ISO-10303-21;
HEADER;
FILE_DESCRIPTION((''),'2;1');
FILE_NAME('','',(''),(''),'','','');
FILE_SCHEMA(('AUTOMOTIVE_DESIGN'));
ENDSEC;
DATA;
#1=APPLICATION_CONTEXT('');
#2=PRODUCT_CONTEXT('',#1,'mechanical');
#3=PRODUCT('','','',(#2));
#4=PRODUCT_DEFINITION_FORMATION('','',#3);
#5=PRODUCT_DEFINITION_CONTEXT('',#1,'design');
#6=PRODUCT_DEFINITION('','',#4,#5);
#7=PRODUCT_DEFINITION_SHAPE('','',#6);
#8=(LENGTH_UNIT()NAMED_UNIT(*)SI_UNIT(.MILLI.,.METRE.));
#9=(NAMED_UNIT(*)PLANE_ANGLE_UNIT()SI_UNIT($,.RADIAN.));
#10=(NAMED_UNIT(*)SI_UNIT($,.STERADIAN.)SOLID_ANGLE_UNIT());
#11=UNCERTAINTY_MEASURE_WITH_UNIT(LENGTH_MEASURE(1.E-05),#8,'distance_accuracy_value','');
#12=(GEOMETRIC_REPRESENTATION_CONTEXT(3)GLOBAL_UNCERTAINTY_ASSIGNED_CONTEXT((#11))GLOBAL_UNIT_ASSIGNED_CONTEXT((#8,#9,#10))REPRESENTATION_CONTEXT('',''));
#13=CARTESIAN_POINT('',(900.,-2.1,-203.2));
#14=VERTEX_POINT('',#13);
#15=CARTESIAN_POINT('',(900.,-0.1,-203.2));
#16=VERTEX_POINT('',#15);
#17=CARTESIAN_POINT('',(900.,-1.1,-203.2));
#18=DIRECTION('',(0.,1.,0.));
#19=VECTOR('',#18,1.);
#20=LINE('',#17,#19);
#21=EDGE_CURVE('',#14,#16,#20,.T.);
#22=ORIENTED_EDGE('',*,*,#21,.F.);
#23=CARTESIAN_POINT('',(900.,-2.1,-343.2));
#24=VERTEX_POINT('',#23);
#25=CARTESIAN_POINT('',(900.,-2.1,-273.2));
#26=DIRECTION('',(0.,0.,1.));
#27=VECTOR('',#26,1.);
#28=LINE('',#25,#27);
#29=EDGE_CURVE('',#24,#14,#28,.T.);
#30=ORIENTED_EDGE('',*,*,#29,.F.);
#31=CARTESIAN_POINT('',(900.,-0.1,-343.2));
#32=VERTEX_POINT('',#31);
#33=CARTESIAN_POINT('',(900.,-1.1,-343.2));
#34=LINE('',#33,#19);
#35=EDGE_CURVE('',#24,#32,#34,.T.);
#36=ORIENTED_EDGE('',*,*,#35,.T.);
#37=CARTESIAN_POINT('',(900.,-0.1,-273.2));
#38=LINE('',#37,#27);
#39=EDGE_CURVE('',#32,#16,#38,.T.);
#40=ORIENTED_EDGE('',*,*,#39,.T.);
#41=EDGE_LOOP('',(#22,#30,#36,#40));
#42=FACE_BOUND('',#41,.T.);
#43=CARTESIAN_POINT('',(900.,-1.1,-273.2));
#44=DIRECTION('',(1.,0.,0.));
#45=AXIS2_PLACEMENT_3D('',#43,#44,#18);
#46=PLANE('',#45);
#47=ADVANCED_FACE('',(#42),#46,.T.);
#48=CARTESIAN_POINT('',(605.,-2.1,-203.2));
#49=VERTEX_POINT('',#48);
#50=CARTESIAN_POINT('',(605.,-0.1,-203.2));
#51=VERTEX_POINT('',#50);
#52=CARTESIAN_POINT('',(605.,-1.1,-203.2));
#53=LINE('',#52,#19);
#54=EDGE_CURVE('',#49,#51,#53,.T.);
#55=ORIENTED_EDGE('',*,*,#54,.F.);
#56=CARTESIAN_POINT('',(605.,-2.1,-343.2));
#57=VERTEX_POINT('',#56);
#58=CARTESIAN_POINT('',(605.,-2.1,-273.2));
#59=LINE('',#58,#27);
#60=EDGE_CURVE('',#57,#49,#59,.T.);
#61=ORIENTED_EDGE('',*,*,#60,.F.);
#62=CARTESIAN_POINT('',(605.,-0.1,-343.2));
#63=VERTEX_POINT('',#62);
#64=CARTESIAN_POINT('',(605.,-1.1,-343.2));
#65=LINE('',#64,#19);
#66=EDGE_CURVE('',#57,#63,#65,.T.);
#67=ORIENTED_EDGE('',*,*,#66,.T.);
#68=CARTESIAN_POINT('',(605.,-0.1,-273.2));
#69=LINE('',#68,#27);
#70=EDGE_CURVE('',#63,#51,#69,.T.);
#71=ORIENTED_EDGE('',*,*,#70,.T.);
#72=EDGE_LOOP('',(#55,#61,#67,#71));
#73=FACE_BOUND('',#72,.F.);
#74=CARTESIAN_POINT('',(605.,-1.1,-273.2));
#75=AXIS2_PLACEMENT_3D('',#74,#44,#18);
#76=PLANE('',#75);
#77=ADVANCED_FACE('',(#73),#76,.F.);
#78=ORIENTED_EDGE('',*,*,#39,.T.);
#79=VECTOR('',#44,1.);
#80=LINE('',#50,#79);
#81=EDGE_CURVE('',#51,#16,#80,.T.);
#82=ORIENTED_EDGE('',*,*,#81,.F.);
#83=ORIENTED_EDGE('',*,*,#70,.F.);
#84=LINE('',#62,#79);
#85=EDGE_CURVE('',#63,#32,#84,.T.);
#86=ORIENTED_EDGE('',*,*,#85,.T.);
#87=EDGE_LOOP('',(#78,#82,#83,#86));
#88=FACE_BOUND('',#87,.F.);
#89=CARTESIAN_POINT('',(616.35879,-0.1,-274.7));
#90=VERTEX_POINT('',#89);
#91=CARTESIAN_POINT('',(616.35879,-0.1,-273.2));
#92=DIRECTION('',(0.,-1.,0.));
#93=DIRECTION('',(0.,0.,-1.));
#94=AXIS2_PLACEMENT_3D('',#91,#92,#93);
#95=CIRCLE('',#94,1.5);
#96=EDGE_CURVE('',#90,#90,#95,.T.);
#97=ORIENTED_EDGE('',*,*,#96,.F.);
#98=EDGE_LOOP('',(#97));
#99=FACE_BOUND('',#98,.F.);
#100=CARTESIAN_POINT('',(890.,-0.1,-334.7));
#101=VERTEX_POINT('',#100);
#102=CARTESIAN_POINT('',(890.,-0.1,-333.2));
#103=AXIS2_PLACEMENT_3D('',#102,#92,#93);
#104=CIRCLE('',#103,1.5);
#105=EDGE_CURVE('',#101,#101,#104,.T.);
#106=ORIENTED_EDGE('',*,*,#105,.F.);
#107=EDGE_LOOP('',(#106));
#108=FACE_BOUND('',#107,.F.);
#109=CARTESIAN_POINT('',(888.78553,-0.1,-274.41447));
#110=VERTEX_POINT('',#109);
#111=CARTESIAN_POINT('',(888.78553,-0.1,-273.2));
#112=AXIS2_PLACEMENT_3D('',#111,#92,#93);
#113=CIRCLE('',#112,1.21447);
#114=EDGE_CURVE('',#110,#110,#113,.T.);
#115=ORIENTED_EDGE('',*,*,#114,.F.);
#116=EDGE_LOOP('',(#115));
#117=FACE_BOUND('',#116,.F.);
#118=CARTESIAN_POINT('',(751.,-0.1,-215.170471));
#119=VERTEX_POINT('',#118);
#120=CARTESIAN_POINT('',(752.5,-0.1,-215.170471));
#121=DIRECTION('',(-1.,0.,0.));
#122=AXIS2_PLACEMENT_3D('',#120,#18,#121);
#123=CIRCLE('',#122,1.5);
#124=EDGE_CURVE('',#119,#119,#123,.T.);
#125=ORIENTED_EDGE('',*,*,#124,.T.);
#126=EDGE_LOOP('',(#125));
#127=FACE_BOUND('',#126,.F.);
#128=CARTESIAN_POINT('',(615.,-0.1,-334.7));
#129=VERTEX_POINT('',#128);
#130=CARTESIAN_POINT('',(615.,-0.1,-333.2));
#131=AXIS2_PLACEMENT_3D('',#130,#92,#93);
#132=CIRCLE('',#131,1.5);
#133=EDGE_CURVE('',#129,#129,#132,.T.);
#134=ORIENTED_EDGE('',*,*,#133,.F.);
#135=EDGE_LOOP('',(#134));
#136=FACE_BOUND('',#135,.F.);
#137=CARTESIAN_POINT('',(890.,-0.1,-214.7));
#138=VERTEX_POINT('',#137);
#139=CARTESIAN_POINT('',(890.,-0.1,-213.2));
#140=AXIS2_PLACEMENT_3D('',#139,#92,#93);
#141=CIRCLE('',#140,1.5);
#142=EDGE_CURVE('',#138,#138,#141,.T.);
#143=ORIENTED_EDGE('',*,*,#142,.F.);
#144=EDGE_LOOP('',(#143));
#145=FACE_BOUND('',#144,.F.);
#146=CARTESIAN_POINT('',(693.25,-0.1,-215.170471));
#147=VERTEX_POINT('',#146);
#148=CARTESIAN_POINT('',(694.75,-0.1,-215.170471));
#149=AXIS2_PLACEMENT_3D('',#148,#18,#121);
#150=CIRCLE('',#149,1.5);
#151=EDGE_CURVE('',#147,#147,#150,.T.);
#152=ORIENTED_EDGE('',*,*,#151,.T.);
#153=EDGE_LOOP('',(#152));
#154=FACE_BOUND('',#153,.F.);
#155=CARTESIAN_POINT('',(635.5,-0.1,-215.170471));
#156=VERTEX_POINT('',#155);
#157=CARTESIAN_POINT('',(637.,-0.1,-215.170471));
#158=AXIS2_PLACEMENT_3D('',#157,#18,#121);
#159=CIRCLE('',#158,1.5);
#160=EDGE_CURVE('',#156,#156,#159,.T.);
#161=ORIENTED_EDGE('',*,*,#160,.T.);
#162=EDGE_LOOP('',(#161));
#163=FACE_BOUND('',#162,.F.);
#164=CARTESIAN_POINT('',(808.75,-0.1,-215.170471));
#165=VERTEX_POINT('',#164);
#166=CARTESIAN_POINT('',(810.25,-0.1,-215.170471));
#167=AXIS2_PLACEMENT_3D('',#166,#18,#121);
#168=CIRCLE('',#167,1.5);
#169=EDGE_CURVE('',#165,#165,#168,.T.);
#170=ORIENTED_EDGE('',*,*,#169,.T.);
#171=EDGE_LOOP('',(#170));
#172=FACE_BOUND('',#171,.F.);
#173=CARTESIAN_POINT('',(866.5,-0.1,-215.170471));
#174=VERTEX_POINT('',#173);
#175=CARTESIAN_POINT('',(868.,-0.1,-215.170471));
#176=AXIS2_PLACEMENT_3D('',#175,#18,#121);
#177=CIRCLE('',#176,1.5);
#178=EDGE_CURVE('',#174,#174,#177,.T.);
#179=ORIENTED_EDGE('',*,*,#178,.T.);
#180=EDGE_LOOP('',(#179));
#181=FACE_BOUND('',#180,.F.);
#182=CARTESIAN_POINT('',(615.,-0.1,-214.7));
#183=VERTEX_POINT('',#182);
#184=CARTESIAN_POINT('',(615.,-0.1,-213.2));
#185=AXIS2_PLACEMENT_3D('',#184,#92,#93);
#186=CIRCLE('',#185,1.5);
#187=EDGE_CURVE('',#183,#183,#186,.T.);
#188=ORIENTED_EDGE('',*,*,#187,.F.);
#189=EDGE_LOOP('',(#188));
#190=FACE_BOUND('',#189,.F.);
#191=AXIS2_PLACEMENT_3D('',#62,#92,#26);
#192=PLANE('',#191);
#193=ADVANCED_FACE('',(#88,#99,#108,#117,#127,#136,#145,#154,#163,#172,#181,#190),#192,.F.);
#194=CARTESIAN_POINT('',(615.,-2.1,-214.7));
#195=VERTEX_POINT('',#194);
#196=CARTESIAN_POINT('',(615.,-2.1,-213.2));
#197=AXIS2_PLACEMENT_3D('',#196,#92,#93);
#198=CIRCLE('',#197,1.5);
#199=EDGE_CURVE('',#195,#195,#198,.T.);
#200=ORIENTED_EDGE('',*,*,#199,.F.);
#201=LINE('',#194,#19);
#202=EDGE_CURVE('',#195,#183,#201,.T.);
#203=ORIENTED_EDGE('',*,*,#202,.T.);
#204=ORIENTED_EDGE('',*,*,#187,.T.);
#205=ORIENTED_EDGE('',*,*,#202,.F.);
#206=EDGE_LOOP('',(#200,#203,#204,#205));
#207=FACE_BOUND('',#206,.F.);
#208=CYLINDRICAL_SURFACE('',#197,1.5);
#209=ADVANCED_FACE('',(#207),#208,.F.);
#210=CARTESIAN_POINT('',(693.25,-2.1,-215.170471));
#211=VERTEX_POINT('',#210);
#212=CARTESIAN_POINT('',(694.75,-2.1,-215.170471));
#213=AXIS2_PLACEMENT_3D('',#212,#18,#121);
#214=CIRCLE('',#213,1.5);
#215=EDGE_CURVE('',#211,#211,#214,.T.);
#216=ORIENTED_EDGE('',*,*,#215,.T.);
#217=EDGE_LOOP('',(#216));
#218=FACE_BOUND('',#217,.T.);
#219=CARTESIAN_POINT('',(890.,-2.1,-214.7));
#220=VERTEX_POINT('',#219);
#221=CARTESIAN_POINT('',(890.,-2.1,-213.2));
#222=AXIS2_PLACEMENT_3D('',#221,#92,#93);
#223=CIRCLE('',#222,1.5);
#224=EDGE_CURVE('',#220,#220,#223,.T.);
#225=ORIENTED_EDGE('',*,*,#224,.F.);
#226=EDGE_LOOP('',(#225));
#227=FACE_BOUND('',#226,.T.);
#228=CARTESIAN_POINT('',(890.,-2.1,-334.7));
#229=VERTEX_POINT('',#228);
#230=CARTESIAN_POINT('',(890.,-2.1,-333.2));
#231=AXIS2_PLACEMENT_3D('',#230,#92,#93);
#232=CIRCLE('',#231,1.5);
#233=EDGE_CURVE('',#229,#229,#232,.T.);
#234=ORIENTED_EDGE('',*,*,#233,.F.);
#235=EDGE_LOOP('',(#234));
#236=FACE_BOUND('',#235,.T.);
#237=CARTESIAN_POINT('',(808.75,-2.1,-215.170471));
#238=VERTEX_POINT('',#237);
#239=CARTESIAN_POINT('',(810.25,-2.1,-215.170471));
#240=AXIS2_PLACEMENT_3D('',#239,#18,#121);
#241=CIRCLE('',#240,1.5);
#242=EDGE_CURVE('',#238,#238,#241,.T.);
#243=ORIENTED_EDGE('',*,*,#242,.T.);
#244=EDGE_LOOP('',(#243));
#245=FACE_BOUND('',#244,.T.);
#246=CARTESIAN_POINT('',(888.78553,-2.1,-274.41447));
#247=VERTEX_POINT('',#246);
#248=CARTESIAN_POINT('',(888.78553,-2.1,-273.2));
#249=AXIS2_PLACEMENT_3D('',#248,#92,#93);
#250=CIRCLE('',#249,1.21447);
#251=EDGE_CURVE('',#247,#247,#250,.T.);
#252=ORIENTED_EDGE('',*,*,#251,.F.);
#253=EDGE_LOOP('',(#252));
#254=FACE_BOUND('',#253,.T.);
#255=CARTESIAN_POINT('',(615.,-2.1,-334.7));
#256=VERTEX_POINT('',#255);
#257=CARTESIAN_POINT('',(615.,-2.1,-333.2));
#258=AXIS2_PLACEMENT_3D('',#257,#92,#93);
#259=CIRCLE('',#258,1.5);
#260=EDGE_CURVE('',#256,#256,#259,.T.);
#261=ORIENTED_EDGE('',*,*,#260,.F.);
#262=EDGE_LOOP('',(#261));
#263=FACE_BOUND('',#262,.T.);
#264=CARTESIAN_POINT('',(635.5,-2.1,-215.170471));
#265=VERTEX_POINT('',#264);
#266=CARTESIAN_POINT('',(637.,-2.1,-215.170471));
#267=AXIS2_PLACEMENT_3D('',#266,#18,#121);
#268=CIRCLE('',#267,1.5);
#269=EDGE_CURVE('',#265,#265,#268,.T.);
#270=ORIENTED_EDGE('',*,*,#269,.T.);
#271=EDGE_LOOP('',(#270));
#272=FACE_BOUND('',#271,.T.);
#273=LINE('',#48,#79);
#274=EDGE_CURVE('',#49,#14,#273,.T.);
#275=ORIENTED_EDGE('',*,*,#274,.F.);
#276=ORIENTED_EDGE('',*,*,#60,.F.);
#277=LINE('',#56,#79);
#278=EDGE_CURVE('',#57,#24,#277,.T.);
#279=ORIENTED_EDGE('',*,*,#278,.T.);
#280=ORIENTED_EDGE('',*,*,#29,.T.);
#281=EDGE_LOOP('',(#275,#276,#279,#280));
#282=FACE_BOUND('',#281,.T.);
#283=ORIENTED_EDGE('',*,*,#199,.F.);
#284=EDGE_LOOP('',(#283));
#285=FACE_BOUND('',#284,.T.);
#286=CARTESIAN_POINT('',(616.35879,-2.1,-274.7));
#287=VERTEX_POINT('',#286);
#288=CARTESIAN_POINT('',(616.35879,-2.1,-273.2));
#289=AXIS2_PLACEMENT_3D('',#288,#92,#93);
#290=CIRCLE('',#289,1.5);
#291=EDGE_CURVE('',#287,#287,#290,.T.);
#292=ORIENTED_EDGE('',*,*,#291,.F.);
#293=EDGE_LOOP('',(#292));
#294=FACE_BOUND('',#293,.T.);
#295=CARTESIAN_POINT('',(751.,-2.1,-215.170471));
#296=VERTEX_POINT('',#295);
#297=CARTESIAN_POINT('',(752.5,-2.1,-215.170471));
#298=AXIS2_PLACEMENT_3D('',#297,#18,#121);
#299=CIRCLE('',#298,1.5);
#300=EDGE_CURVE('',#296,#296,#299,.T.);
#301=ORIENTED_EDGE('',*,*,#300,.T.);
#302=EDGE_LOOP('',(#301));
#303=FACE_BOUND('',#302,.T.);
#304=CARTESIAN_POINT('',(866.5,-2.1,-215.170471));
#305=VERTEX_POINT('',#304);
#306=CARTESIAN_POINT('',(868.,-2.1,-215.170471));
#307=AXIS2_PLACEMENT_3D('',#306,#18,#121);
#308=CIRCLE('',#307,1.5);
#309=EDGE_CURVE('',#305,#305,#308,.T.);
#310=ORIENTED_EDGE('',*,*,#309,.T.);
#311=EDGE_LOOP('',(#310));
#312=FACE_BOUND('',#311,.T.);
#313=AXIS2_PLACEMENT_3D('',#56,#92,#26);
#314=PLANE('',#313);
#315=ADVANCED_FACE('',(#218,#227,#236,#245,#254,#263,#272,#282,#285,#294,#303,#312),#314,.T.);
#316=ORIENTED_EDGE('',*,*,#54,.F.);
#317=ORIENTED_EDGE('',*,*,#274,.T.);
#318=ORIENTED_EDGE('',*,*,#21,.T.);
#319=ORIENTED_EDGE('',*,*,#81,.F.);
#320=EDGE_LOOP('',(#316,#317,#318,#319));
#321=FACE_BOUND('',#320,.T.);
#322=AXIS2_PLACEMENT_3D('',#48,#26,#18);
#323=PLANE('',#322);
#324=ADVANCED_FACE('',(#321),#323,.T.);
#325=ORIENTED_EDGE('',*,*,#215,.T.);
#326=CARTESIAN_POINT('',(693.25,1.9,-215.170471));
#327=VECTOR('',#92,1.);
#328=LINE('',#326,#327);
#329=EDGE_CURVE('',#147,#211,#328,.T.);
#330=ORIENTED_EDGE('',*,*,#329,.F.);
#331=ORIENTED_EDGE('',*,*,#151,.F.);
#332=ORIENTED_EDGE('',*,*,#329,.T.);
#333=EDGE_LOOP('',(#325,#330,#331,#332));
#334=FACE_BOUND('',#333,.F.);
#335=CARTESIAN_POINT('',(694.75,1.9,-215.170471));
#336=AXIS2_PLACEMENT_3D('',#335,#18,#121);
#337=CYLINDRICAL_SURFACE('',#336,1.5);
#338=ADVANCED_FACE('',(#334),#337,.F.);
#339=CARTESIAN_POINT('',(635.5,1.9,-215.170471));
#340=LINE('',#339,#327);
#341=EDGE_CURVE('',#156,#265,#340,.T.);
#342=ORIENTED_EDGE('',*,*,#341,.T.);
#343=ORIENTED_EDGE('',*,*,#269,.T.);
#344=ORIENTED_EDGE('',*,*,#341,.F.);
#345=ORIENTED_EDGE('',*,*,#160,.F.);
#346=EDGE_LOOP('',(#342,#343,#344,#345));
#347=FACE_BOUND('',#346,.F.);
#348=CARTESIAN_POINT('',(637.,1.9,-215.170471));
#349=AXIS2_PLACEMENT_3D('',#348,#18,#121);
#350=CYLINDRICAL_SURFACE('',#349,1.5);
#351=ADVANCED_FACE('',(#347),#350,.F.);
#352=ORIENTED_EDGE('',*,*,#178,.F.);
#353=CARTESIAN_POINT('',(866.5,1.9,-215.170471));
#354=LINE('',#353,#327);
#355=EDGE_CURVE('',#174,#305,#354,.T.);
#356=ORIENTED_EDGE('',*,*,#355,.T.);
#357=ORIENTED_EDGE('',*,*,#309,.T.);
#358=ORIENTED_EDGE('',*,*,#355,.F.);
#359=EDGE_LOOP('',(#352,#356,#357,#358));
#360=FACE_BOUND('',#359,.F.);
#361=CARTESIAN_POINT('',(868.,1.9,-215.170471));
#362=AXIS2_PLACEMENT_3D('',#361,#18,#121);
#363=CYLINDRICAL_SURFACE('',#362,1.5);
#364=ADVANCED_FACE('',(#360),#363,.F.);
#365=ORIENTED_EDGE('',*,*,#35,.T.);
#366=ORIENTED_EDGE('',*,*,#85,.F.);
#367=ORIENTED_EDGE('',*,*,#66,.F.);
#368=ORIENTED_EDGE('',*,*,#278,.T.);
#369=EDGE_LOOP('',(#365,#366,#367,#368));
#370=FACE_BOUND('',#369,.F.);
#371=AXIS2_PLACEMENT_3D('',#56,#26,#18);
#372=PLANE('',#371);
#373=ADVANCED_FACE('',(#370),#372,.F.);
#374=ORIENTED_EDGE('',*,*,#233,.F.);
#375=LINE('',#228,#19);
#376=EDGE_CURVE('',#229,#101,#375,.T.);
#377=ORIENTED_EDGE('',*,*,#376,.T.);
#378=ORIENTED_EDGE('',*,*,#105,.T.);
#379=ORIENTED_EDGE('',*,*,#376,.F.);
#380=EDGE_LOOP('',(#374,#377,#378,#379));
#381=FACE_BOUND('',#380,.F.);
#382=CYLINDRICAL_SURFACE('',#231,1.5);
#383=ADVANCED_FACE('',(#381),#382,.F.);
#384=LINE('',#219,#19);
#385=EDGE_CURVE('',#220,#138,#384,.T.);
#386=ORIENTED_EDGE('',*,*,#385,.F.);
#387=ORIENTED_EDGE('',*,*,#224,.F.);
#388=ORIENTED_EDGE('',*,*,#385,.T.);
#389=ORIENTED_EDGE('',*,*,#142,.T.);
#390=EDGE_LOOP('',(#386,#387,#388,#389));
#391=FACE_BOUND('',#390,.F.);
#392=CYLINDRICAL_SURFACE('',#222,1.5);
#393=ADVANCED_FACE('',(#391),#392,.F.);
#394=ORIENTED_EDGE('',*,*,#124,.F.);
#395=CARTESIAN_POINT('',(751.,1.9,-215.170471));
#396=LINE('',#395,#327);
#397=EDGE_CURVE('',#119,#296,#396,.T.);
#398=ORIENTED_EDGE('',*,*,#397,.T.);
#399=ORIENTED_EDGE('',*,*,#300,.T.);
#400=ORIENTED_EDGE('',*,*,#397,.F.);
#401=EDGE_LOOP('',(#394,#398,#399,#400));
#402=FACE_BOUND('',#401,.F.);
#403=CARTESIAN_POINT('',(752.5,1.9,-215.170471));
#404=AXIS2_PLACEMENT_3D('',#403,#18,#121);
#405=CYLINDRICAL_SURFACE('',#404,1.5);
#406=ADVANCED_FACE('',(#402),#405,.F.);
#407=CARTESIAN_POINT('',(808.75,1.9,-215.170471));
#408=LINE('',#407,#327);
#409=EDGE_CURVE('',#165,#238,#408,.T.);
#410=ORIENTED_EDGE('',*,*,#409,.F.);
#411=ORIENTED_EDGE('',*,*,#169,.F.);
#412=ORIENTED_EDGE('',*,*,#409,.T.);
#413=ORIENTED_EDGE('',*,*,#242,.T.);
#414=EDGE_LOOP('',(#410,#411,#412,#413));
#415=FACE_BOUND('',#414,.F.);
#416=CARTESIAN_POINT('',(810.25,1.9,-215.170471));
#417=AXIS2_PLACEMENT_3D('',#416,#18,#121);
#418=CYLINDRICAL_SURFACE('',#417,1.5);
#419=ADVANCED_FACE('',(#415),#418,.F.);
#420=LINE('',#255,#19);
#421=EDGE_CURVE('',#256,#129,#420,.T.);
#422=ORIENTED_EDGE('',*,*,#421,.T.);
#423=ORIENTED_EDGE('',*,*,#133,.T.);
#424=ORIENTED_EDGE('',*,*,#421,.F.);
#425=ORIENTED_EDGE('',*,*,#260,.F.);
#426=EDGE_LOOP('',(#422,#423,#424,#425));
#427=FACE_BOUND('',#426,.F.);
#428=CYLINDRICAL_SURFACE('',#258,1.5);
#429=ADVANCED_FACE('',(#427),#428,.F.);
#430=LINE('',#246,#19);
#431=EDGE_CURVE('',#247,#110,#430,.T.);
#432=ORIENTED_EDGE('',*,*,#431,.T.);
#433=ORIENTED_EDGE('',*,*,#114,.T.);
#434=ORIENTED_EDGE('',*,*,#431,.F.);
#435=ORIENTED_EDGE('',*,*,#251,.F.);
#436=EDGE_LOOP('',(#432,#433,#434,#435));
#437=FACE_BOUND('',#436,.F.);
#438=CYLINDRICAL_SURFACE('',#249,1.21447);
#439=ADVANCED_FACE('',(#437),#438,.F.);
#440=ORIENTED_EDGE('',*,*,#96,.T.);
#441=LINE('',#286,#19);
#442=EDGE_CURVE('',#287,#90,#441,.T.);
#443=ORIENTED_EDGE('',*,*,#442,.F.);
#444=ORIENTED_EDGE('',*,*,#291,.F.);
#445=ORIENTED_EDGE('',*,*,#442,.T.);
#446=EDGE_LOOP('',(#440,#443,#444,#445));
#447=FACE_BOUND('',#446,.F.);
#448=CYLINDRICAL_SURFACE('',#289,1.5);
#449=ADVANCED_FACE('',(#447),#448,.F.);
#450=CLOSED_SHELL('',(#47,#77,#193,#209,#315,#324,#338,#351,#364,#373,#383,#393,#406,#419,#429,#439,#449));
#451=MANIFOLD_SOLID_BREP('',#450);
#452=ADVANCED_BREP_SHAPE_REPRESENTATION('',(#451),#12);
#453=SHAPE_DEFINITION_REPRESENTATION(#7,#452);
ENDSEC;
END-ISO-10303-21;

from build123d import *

# Parameters (mm, degrees)
SKETCH005_W     = 2
SKETCH005_H     = 140
PAD002_DEPTH    = 295
SKETCH019_R     = 1.5
SKETCH019_R_2   = 1.21447
POCKET008_DEPTH = 5
SKETCH097_R     = 1.5
POCKET055_DEPTH = 5


with BuildPart() as part:
    # Sketch005 → Pad002 (new body)
    with BuildSketch(Plane.YZ):
        with Locations((1, 70)):
            Rectangle(SKETCH005_W, SKETCH005_H)
    extrude(amount=PAD002_DEPTH)

    # Sketch019 (on Face1 of Pad002) → Pocket008 (cut)
    with BuildSketch(Plane(origin=(0, 0, 0), x_dir=(0, 0, -1), z_dir=(0, -1, 0))):
        with Locations((-130, 285)):
            Circle(SKETCH019_R)
        with Locations((-10, 285)):
            Circle(SKETCH019_R)
        with Locations((-70, 283.78553)):
            Circle(SKETCH019_R_2)
        with Locations((-10, 10)):
            Circle(SKETCH019_R)
        with Locations((-70, 11.35879)):
            Circle(SKETCH019_R)
        with Locations((-130, 10)):
            Circle(SKETCH019_R)
    extrude(amount=-POCKET008_DEPTH, mode=Mode.SUBTRACT)

    # Sketch097 (on Face1 of Binder037) → Pocket055 (cut)
    with BuildSketch(Plane(origin=(0, 4, 0), x_dir=(-1, 0, 0), z_dir=(0, 1, 0))):
        with Locations((-32, 128.029529)):
            Circle(SKETCH097_R)
        with Locations((-89.75, 128.029529)):
            Circle(SKETCH097_R)
        with Locations((-147.5, 128.029529)):
            Circle(SKETCH097_R)
        with Locations((-205.25, 128.029529)):
            Circle(SKETCH097_R)
        with Locations((-263, 128.029529)):
            Circle(SKETCH097_R)
    extrude(amount=-POCKET055_DEPTH, mode=Mode.SUBTRACT)


with BuildPart() as part_1:
    # Body001 placement: moved
    add(part.part.moved(Location((605, -2.1, -343.2))))


solid = part_1.part
